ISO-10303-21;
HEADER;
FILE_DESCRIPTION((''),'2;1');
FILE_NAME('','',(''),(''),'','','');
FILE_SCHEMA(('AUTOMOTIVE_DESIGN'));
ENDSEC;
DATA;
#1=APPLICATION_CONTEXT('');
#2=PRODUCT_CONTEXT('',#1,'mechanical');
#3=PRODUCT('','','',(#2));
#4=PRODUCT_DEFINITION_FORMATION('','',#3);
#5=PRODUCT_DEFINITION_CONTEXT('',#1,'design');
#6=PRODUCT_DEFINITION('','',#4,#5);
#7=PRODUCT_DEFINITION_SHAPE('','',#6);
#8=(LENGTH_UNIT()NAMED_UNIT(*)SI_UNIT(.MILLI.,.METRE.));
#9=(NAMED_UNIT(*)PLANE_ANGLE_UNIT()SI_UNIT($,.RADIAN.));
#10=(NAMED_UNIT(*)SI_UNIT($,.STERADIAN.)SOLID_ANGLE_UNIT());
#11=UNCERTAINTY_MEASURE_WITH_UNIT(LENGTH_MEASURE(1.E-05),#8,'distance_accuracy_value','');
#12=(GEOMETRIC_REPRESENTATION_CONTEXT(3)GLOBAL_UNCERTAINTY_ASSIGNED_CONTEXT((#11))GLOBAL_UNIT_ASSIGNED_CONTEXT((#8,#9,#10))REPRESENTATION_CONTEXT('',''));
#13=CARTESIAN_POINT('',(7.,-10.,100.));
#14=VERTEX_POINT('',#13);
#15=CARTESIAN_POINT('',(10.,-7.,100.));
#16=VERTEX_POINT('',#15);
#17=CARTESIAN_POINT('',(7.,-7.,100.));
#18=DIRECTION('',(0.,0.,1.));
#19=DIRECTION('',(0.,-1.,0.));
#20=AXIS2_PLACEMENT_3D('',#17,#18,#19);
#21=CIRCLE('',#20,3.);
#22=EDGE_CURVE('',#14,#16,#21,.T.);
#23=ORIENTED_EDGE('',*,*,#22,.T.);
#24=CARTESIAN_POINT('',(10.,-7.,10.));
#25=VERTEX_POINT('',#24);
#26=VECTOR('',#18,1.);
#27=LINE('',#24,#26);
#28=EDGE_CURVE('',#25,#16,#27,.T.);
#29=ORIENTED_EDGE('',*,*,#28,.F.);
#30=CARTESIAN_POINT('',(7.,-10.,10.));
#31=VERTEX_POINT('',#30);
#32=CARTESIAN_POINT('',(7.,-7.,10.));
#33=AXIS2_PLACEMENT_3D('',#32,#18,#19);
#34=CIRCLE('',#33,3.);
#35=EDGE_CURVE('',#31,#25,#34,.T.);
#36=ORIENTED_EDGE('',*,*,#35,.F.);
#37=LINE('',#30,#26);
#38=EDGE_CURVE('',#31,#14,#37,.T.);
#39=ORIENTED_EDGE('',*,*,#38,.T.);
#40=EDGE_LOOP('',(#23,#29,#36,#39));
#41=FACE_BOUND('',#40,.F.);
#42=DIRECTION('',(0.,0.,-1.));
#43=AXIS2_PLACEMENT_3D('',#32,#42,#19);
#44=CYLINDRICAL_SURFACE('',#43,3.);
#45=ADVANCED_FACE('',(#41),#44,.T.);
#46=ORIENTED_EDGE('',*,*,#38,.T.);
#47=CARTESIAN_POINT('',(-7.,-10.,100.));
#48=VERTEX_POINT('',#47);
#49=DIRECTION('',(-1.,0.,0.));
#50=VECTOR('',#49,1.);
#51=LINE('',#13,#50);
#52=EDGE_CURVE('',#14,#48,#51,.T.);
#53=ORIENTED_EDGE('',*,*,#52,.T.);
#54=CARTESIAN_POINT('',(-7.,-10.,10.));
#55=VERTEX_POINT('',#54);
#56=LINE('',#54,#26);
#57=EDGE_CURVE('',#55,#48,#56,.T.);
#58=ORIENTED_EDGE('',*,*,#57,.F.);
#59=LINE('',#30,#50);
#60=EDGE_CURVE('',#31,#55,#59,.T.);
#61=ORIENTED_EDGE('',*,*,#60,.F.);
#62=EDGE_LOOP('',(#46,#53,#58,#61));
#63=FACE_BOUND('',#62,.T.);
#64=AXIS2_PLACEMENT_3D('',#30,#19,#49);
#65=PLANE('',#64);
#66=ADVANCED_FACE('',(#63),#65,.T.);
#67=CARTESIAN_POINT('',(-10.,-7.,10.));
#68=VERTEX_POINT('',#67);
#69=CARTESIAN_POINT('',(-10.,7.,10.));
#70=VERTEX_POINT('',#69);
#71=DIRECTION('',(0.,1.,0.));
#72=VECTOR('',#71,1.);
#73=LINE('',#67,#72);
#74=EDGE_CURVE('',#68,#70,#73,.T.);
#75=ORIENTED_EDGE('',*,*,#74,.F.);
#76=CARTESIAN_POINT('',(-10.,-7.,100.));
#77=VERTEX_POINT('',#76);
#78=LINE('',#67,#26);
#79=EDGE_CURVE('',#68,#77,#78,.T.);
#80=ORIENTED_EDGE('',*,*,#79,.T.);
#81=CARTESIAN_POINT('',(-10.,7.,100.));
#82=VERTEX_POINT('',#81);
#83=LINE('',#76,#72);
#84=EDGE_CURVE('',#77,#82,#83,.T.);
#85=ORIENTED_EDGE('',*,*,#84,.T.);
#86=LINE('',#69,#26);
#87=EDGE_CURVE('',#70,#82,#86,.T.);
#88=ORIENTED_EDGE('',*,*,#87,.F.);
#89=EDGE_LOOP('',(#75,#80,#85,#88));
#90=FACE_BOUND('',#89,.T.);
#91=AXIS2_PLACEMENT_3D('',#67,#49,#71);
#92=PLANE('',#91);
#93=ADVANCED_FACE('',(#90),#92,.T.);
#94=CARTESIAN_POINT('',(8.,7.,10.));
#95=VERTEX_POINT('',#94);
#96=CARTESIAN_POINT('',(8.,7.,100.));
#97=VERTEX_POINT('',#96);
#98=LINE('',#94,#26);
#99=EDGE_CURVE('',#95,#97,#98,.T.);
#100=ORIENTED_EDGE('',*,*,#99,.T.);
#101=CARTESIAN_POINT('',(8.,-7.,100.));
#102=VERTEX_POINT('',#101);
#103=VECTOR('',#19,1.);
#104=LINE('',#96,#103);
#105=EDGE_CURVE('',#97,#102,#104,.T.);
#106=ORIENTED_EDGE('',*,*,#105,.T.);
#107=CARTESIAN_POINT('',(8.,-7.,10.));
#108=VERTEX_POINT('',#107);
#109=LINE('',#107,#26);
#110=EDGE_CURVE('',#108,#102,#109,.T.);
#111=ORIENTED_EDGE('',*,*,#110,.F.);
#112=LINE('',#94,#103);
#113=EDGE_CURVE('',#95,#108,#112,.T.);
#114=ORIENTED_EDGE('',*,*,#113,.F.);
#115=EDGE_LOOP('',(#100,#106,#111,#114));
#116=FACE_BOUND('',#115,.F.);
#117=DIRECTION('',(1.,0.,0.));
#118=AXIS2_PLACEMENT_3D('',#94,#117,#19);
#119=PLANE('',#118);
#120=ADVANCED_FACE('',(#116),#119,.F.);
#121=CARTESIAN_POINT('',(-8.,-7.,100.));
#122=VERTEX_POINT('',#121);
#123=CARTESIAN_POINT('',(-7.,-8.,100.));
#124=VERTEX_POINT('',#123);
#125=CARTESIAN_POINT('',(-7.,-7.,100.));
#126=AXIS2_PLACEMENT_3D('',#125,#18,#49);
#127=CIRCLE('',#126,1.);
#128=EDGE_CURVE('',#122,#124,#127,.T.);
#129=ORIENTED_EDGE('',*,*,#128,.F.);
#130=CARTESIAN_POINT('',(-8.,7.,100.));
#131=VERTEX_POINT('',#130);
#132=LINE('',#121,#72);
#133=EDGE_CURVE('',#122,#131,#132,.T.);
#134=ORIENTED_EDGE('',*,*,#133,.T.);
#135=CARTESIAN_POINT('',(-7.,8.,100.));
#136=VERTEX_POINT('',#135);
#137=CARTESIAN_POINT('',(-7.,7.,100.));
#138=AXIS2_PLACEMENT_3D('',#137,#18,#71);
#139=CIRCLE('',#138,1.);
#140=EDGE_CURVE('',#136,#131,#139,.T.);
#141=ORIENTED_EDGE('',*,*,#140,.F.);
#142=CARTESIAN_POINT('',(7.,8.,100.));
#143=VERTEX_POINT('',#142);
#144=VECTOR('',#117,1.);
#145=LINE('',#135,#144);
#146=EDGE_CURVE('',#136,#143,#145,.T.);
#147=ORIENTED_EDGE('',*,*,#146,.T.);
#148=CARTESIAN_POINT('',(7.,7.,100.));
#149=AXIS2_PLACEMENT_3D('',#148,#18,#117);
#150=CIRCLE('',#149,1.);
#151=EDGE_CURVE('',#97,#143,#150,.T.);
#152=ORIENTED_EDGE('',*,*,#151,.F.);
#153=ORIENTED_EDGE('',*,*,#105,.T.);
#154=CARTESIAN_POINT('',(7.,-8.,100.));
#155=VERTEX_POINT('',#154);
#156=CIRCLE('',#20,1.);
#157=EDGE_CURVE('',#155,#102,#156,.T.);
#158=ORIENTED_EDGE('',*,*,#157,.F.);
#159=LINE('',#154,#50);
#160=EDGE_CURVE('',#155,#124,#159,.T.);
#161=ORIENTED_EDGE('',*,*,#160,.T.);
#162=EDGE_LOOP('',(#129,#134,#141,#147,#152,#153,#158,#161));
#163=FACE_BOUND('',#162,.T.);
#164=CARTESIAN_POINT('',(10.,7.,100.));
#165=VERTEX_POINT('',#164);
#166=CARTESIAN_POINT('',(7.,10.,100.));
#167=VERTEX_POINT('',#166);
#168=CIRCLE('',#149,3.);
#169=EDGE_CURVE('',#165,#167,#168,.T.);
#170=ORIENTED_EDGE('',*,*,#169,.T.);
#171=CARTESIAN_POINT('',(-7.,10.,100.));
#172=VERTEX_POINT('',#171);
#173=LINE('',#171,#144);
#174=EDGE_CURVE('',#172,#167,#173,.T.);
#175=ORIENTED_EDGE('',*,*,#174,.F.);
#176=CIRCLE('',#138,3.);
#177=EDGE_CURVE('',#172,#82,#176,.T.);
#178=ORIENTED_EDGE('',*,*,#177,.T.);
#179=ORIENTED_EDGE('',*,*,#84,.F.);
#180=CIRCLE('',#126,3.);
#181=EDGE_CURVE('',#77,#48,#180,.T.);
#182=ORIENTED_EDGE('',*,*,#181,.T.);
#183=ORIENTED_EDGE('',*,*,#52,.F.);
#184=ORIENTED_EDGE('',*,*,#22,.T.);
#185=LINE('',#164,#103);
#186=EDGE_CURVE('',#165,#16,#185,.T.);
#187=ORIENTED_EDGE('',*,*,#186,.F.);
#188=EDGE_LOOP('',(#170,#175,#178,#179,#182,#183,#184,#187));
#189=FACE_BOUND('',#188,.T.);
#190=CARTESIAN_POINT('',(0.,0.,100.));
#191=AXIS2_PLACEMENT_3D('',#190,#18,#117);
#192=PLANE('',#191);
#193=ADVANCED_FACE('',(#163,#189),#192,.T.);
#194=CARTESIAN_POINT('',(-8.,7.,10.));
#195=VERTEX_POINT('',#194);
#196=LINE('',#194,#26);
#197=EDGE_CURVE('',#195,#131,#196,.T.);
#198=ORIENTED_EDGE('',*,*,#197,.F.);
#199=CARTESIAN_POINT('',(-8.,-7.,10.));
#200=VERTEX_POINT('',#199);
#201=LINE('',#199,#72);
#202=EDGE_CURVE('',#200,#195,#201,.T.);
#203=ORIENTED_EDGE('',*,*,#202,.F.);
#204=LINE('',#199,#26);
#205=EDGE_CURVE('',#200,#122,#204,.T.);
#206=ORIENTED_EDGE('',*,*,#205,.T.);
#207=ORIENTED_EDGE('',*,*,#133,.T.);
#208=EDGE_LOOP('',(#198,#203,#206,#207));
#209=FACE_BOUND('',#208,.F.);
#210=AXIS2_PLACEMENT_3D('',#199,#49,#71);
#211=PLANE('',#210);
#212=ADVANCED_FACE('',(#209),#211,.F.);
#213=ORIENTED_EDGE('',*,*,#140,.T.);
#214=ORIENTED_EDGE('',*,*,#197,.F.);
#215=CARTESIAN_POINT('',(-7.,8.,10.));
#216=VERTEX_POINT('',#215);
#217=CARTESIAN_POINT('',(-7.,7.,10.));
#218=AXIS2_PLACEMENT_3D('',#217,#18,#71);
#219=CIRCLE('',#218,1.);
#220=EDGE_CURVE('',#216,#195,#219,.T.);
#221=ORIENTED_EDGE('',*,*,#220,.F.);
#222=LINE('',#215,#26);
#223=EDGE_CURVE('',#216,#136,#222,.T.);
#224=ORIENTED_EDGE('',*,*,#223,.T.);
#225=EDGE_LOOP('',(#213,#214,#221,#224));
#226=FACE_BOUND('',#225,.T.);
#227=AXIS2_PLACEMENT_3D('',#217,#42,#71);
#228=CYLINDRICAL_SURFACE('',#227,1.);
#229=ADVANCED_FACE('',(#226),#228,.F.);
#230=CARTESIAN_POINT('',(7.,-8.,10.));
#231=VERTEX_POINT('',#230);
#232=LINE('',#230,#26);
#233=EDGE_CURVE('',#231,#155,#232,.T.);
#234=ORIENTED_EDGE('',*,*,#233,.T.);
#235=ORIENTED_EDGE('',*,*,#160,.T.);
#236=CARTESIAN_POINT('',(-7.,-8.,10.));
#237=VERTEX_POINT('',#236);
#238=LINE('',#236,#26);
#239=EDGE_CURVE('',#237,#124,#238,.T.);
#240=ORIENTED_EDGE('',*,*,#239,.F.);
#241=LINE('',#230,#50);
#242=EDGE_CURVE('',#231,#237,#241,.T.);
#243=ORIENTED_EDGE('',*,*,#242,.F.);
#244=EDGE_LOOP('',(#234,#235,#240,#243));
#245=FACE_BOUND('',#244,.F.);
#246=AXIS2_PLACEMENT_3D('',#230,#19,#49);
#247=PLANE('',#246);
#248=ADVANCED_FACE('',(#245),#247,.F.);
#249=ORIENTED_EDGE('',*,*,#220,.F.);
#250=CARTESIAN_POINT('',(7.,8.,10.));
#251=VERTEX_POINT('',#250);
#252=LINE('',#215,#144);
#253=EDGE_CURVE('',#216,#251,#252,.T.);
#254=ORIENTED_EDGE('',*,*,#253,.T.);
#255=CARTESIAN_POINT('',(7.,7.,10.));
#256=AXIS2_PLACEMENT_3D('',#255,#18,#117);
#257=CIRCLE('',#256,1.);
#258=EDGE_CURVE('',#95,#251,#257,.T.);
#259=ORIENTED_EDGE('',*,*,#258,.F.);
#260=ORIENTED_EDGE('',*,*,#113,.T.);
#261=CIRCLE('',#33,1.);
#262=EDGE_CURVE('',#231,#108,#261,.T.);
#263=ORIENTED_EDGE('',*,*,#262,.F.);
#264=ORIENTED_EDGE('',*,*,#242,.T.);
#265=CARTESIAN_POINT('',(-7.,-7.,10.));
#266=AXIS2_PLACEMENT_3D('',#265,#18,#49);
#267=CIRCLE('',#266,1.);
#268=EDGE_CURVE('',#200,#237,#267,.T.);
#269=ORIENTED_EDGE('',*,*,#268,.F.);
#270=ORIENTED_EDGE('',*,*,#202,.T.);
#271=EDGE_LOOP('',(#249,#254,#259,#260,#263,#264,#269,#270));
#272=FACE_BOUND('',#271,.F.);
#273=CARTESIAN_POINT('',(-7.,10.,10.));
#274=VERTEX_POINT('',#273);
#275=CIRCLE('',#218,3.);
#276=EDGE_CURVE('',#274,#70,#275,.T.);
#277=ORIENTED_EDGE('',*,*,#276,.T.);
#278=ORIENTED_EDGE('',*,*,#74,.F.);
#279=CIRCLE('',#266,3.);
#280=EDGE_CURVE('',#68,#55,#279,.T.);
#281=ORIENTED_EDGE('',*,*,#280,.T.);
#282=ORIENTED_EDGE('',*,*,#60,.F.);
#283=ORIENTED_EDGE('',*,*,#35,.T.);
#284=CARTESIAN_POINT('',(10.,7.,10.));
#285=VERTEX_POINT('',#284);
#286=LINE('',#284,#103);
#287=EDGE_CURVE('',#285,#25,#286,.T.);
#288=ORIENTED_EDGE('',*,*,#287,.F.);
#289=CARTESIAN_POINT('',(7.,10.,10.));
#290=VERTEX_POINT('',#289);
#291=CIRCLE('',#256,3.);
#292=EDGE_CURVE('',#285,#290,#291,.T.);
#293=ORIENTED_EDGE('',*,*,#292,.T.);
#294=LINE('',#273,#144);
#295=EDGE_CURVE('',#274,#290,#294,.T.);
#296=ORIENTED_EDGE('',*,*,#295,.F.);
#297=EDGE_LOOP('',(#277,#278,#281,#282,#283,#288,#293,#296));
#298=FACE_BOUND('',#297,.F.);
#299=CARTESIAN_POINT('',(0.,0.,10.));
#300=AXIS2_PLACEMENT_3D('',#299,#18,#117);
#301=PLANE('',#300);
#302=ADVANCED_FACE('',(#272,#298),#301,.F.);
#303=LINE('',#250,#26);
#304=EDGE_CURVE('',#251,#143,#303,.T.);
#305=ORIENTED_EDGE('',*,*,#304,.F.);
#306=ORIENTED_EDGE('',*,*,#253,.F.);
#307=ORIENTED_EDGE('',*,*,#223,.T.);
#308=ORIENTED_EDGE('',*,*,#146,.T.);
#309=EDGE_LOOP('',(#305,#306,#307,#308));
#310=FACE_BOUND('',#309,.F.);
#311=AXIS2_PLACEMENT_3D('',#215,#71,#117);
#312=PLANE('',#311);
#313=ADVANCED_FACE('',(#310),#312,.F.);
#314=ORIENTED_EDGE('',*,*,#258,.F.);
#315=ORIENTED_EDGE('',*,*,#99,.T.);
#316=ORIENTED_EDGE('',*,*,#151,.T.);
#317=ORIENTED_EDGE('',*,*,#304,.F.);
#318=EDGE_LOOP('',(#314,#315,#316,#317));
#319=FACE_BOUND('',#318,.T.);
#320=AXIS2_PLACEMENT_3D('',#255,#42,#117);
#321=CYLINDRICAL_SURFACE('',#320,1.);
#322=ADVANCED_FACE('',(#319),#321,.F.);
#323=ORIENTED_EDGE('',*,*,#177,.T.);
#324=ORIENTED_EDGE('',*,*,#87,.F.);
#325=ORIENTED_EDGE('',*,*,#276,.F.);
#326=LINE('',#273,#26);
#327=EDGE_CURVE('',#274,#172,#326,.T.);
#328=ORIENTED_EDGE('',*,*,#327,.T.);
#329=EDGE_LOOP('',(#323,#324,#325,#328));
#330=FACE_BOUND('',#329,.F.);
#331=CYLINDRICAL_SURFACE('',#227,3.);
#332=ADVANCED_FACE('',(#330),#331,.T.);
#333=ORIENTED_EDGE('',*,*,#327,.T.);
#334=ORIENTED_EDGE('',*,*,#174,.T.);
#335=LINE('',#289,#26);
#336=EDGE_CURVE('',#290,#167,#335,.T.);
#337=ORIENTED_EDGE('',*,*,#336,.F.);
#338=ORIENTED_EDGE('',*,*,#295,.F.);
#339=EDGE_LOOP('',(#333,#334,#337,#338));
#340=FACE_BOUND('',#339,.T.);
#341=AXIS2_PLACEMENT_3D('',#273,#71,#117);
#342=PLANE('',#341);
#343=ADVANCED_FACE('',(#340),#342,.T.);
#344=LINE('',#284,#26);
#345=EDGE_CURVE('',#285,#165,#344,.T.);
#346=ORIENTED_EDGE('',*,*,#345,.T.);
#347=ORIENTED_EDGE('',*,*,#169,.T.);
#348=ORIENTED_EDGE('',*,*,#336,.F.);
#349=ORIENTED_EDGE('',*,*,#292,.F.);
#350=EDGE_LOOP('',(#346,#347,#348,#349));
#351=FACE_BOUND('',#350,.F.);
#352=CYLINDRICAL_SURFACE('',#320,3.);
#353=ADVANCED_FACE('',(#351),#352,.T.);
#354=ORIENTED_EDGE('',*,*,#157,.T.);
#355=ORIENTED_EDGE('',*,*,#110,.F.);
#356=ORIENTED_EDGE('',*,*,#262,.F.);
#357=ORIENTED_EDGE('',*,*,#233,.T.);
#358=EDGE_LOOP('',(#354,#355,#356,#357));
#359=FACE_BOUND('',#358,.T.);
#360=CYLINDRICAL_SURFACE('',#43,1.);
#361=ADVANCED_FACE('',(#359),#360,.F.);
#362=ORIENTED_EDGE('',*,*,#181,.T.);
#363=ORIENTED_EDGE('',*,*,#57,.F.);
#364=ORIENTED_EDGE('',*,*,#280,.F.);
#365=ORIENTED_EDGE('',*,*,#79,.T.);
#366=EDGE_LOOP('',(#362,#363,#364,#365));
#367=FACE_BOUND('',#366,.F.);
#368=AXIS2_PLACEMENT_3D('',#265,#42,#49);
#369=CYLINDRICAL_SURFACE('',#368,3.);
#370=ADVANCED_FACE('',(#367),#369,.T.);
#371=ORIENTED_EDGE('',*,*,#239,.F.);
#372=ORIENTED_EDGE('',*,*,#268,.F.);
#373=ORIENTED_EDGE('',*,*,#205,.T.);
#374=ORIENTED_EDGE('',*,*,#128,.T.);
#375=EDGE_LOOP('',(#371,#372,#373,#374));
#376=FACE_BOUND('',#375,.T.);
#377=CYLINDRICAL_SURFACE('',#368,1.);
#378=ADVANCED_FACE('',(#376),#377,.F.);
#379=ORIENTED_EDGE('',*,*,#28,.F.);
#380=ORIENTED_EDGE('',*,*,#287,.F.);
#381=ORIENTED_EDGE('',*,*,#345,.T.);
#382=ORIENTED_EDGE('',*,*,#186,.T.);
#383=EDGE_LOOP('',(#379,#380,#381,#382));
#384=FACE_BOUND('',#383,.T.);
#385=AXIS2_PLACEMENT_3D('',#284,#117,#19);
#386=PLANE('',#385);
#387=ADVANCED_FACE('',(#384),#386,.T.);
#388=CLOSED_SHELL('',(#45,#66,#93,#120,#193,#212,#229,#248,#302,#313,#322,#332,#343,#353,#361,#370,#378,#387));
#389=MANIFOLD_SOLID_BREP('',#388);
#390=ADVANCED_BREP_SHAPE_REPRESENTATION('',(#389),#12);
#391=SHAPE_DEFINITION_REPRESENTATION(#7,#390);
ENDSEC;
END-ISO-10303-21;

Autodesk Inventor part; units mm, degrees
ref_plane "Start Plane" through (0, 0, 10) normal (0, 0, 1) x (1, 0, 0)
ref_plane "End Plane" through (0, 0, 100) normal (0, 0, 1) x (1, 0, 0)
sketch "Sketch" plane through (0, 0, 0) normal (0, 0, 1) x (1, 0, 0)
  line L0 (-10, -7) -> (-10, 7)
  line L1 (-7, 10) -> (7, 10)
  line L2 (10, 7) -> (10, -7)
  line L3 (7, -10) -> (-7, -10)
  arc A0 (-10, -7) -> (-7, -10) centre (-7, -7) ccw
  arc A1 (-7, 10) -> (-10, 7) centre (-7, 7) ccw
  arc A2 (10, 7) -> (7, 10) centre (7, 7) ccw
  arc A3 (7, -10) -> (10, -7) centre (7, -7) ccw
  arc A4 (-7, 8) -> (-8, 7) centre (-7, 7) ccw
  line L4 (-7, 8) -> (7, 8)
  arc A5 (8, 7) -> (7, 8) centre (7, 7) ccw
  line L5 (8, 7) -> (8, -7)
  arc A6 (7, -8) -> (8, -7) centre (7, -7) ccw
  line L6 (7, -8) -> (-7, -8)
  arc A7 (-8, -7) -> (-7, -8) centre (-7, -7) ccw
  line L7 (-8, -7) -> (-8, 7)
  line L8 (0, 14.8698) -> (0, -14.8698) construction
  line L9 (-14.8698, 0) -> (14.8698, 0) construction
  dimension "d7" = 3
  dimension "d10" = 20
  dimension "d11" = 20
  dimension "d12" = 2
  dimension "d15" = 10
  dimension "d16" = 10
extrude "Body" add sketch "Sketch" along normal up to surface (90 mm away) from surface at 10
sketch "Sketch3" plane through (0, 0, 0) normal (0, 0, 1) x (1, 0, 0)
  line L0 (0, 0) -> (10, 0)
ref_plane "Work Plane3" through (0, 0, 0) normal (0, -1, 0) x (1, 0, 0)
sketch "Sketch4" plane through (0, 0, 0) normal (0, -1, 0) x (1, 0, 0)
  line L0 (-2, 10) -> (12, 10)
  line L1 (-2, 100) -> (12, 100)
  dimension "d18" = 90
ref_plane "Work Plane4" through (0, 0, 10) normal (0, 0, -1) x (-1, 0, 0)
split "Split1" plane through (0, 0, 10) removes the side toward (0, 0, -1)
ref_plane "Work Plane5" through (0, 0, 100) normal (0, 0, 1) x (1, 0, 0)
split "Split2" plane through (0, 0, 100) removes the side toward (0, 0, 1)
equation "\"d7\" = G_IR"
equation "\"d10\" = G_H"
equation "\"d11\" = G_W"
equation "\"d12\" = G_T"
equation "\"d15\" = 0.5 * d10"
equation "\"d16\" = 0.5 * d11"
equation "\"d3\" = G_L"
equation "\"G_W\" = 20"
equation "\"G_H\" = 20"
equation "\"G_T\" = 2"
equation "\"G_IR\" = 3"
equation "\"G_L\" = d18"
properties part number "ISO 12633-2 - 20x20x2 - 90" material "Steel, Mild"
